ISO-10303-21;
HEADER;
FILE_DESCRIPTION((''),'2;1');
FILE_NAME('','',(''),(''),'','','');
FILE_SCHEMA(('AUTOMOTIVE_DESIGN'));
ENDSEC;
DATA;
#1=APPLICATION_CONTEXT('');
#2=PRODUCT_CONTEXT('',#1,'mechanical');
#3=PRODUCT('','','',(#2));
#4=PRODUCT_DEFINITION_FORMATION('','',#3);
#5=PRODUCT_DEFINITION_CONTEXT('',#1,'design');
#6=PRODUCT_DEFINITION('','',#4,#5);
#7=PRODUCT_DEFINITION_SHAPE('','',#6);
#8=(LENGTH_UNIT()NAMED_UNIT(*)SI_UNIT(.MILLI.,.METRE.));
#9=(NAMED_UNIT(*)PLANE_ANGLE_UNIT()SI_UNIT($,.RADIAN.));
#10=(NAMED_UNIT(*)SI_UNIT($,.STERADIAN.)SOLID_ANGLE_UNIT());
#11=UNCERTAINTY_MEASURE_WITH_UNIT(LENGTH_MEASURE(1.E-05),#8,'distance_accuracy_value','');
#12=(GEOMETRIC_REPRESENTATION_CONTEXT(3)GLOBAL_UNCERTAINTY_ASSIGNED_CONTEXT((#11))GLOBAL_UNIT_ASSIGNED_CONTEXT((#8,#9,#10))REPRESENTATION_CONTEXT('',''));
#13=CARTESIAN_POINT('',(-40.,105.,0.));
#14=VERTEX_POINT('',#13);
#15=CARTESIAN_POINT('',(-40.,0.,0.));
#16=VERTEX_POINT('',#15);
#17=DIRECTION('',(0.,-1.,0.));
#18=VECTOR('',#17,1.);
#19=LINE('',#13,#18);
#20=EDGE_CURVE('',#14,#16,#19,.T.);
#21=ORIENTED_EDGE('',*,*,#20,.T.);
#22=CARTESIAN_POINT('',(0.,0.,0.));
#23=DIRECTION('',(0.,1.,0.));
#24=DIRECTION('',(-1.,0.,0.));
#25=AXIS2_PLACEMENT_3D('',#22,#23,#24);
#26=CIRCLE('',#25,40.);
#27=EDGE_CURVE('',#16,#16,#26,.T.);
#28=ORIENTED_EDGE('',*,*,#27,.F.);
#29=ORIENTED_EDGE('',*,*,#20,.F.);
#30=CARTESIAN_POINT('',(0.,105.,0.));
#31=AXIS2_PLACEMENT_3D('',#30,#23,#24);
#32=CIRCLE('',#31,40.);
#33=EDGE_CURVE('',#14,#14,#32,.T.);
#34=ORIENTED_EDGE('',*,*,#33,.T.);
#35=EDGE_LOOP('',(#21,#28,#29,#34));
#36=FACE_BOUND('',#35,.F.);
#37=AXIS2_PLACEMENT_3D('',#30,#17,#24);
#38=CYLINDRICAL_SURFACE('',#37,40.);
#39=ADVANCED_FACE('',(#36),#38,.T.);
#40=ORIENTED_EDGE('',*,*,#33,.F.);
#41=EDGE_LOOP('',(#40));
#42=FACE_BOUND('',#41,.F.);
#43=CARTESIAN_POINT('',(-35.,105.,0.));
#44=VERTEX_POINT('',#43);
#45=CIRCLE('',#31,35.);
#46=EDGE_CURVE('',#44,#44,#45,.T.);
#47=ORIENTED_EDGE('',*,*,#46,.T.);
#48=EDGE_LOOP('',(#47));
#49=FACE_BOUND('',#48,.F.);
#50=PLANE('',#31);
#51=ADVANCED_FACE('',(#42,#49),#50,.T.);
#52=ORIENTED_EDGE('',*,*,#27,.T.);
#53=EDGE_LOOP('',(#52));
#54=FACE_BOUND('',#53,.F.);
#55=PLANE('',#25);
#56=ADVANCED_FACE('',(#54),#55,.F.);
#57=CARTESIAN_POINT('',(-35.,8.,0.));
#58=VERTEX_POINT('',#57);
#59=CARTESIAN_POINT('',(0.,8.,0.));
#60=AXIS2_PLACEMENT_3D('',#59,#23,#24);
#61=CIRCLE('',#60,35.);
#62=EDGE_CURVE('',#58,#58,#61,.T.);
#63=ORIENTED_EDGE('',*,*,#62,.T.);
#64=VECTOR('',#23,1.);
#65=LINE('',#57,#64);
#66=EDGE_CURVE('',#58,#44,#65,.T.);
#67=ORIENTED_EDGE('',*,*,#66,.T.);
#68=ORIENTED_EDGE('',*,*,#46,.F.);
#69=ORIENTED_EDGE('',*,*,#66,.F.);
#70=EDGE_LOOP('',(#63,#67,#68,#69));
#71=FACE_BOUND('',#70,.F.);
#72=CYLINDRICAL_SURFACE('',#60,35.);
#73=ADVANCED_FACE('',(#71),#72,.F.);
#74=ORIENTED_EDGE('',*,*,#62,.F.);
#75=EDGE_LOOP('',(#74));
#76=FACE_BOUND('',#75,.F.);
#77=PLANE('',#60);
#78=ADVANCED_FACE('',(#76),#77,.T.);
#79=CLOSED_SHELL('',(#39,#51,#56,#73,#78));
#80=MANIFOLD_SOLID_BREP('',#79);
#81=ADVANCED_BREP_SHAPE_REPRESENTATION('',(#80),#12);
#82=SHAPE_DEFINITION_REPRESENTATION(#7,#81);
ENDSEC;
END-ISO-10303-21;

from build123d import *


with BuildPart() as part:
    # Sketch → Revolution (revolve)
    with BuildSketch(Plane.XY):
        Polygon((-40, 105), (-40, 0), (0, 0), (0, 8), (-35, 8), (-35, 105), align=None)
    revolve(axis=Axis((0, 0, 0), (0, 1, 0)))


solid = part.part
